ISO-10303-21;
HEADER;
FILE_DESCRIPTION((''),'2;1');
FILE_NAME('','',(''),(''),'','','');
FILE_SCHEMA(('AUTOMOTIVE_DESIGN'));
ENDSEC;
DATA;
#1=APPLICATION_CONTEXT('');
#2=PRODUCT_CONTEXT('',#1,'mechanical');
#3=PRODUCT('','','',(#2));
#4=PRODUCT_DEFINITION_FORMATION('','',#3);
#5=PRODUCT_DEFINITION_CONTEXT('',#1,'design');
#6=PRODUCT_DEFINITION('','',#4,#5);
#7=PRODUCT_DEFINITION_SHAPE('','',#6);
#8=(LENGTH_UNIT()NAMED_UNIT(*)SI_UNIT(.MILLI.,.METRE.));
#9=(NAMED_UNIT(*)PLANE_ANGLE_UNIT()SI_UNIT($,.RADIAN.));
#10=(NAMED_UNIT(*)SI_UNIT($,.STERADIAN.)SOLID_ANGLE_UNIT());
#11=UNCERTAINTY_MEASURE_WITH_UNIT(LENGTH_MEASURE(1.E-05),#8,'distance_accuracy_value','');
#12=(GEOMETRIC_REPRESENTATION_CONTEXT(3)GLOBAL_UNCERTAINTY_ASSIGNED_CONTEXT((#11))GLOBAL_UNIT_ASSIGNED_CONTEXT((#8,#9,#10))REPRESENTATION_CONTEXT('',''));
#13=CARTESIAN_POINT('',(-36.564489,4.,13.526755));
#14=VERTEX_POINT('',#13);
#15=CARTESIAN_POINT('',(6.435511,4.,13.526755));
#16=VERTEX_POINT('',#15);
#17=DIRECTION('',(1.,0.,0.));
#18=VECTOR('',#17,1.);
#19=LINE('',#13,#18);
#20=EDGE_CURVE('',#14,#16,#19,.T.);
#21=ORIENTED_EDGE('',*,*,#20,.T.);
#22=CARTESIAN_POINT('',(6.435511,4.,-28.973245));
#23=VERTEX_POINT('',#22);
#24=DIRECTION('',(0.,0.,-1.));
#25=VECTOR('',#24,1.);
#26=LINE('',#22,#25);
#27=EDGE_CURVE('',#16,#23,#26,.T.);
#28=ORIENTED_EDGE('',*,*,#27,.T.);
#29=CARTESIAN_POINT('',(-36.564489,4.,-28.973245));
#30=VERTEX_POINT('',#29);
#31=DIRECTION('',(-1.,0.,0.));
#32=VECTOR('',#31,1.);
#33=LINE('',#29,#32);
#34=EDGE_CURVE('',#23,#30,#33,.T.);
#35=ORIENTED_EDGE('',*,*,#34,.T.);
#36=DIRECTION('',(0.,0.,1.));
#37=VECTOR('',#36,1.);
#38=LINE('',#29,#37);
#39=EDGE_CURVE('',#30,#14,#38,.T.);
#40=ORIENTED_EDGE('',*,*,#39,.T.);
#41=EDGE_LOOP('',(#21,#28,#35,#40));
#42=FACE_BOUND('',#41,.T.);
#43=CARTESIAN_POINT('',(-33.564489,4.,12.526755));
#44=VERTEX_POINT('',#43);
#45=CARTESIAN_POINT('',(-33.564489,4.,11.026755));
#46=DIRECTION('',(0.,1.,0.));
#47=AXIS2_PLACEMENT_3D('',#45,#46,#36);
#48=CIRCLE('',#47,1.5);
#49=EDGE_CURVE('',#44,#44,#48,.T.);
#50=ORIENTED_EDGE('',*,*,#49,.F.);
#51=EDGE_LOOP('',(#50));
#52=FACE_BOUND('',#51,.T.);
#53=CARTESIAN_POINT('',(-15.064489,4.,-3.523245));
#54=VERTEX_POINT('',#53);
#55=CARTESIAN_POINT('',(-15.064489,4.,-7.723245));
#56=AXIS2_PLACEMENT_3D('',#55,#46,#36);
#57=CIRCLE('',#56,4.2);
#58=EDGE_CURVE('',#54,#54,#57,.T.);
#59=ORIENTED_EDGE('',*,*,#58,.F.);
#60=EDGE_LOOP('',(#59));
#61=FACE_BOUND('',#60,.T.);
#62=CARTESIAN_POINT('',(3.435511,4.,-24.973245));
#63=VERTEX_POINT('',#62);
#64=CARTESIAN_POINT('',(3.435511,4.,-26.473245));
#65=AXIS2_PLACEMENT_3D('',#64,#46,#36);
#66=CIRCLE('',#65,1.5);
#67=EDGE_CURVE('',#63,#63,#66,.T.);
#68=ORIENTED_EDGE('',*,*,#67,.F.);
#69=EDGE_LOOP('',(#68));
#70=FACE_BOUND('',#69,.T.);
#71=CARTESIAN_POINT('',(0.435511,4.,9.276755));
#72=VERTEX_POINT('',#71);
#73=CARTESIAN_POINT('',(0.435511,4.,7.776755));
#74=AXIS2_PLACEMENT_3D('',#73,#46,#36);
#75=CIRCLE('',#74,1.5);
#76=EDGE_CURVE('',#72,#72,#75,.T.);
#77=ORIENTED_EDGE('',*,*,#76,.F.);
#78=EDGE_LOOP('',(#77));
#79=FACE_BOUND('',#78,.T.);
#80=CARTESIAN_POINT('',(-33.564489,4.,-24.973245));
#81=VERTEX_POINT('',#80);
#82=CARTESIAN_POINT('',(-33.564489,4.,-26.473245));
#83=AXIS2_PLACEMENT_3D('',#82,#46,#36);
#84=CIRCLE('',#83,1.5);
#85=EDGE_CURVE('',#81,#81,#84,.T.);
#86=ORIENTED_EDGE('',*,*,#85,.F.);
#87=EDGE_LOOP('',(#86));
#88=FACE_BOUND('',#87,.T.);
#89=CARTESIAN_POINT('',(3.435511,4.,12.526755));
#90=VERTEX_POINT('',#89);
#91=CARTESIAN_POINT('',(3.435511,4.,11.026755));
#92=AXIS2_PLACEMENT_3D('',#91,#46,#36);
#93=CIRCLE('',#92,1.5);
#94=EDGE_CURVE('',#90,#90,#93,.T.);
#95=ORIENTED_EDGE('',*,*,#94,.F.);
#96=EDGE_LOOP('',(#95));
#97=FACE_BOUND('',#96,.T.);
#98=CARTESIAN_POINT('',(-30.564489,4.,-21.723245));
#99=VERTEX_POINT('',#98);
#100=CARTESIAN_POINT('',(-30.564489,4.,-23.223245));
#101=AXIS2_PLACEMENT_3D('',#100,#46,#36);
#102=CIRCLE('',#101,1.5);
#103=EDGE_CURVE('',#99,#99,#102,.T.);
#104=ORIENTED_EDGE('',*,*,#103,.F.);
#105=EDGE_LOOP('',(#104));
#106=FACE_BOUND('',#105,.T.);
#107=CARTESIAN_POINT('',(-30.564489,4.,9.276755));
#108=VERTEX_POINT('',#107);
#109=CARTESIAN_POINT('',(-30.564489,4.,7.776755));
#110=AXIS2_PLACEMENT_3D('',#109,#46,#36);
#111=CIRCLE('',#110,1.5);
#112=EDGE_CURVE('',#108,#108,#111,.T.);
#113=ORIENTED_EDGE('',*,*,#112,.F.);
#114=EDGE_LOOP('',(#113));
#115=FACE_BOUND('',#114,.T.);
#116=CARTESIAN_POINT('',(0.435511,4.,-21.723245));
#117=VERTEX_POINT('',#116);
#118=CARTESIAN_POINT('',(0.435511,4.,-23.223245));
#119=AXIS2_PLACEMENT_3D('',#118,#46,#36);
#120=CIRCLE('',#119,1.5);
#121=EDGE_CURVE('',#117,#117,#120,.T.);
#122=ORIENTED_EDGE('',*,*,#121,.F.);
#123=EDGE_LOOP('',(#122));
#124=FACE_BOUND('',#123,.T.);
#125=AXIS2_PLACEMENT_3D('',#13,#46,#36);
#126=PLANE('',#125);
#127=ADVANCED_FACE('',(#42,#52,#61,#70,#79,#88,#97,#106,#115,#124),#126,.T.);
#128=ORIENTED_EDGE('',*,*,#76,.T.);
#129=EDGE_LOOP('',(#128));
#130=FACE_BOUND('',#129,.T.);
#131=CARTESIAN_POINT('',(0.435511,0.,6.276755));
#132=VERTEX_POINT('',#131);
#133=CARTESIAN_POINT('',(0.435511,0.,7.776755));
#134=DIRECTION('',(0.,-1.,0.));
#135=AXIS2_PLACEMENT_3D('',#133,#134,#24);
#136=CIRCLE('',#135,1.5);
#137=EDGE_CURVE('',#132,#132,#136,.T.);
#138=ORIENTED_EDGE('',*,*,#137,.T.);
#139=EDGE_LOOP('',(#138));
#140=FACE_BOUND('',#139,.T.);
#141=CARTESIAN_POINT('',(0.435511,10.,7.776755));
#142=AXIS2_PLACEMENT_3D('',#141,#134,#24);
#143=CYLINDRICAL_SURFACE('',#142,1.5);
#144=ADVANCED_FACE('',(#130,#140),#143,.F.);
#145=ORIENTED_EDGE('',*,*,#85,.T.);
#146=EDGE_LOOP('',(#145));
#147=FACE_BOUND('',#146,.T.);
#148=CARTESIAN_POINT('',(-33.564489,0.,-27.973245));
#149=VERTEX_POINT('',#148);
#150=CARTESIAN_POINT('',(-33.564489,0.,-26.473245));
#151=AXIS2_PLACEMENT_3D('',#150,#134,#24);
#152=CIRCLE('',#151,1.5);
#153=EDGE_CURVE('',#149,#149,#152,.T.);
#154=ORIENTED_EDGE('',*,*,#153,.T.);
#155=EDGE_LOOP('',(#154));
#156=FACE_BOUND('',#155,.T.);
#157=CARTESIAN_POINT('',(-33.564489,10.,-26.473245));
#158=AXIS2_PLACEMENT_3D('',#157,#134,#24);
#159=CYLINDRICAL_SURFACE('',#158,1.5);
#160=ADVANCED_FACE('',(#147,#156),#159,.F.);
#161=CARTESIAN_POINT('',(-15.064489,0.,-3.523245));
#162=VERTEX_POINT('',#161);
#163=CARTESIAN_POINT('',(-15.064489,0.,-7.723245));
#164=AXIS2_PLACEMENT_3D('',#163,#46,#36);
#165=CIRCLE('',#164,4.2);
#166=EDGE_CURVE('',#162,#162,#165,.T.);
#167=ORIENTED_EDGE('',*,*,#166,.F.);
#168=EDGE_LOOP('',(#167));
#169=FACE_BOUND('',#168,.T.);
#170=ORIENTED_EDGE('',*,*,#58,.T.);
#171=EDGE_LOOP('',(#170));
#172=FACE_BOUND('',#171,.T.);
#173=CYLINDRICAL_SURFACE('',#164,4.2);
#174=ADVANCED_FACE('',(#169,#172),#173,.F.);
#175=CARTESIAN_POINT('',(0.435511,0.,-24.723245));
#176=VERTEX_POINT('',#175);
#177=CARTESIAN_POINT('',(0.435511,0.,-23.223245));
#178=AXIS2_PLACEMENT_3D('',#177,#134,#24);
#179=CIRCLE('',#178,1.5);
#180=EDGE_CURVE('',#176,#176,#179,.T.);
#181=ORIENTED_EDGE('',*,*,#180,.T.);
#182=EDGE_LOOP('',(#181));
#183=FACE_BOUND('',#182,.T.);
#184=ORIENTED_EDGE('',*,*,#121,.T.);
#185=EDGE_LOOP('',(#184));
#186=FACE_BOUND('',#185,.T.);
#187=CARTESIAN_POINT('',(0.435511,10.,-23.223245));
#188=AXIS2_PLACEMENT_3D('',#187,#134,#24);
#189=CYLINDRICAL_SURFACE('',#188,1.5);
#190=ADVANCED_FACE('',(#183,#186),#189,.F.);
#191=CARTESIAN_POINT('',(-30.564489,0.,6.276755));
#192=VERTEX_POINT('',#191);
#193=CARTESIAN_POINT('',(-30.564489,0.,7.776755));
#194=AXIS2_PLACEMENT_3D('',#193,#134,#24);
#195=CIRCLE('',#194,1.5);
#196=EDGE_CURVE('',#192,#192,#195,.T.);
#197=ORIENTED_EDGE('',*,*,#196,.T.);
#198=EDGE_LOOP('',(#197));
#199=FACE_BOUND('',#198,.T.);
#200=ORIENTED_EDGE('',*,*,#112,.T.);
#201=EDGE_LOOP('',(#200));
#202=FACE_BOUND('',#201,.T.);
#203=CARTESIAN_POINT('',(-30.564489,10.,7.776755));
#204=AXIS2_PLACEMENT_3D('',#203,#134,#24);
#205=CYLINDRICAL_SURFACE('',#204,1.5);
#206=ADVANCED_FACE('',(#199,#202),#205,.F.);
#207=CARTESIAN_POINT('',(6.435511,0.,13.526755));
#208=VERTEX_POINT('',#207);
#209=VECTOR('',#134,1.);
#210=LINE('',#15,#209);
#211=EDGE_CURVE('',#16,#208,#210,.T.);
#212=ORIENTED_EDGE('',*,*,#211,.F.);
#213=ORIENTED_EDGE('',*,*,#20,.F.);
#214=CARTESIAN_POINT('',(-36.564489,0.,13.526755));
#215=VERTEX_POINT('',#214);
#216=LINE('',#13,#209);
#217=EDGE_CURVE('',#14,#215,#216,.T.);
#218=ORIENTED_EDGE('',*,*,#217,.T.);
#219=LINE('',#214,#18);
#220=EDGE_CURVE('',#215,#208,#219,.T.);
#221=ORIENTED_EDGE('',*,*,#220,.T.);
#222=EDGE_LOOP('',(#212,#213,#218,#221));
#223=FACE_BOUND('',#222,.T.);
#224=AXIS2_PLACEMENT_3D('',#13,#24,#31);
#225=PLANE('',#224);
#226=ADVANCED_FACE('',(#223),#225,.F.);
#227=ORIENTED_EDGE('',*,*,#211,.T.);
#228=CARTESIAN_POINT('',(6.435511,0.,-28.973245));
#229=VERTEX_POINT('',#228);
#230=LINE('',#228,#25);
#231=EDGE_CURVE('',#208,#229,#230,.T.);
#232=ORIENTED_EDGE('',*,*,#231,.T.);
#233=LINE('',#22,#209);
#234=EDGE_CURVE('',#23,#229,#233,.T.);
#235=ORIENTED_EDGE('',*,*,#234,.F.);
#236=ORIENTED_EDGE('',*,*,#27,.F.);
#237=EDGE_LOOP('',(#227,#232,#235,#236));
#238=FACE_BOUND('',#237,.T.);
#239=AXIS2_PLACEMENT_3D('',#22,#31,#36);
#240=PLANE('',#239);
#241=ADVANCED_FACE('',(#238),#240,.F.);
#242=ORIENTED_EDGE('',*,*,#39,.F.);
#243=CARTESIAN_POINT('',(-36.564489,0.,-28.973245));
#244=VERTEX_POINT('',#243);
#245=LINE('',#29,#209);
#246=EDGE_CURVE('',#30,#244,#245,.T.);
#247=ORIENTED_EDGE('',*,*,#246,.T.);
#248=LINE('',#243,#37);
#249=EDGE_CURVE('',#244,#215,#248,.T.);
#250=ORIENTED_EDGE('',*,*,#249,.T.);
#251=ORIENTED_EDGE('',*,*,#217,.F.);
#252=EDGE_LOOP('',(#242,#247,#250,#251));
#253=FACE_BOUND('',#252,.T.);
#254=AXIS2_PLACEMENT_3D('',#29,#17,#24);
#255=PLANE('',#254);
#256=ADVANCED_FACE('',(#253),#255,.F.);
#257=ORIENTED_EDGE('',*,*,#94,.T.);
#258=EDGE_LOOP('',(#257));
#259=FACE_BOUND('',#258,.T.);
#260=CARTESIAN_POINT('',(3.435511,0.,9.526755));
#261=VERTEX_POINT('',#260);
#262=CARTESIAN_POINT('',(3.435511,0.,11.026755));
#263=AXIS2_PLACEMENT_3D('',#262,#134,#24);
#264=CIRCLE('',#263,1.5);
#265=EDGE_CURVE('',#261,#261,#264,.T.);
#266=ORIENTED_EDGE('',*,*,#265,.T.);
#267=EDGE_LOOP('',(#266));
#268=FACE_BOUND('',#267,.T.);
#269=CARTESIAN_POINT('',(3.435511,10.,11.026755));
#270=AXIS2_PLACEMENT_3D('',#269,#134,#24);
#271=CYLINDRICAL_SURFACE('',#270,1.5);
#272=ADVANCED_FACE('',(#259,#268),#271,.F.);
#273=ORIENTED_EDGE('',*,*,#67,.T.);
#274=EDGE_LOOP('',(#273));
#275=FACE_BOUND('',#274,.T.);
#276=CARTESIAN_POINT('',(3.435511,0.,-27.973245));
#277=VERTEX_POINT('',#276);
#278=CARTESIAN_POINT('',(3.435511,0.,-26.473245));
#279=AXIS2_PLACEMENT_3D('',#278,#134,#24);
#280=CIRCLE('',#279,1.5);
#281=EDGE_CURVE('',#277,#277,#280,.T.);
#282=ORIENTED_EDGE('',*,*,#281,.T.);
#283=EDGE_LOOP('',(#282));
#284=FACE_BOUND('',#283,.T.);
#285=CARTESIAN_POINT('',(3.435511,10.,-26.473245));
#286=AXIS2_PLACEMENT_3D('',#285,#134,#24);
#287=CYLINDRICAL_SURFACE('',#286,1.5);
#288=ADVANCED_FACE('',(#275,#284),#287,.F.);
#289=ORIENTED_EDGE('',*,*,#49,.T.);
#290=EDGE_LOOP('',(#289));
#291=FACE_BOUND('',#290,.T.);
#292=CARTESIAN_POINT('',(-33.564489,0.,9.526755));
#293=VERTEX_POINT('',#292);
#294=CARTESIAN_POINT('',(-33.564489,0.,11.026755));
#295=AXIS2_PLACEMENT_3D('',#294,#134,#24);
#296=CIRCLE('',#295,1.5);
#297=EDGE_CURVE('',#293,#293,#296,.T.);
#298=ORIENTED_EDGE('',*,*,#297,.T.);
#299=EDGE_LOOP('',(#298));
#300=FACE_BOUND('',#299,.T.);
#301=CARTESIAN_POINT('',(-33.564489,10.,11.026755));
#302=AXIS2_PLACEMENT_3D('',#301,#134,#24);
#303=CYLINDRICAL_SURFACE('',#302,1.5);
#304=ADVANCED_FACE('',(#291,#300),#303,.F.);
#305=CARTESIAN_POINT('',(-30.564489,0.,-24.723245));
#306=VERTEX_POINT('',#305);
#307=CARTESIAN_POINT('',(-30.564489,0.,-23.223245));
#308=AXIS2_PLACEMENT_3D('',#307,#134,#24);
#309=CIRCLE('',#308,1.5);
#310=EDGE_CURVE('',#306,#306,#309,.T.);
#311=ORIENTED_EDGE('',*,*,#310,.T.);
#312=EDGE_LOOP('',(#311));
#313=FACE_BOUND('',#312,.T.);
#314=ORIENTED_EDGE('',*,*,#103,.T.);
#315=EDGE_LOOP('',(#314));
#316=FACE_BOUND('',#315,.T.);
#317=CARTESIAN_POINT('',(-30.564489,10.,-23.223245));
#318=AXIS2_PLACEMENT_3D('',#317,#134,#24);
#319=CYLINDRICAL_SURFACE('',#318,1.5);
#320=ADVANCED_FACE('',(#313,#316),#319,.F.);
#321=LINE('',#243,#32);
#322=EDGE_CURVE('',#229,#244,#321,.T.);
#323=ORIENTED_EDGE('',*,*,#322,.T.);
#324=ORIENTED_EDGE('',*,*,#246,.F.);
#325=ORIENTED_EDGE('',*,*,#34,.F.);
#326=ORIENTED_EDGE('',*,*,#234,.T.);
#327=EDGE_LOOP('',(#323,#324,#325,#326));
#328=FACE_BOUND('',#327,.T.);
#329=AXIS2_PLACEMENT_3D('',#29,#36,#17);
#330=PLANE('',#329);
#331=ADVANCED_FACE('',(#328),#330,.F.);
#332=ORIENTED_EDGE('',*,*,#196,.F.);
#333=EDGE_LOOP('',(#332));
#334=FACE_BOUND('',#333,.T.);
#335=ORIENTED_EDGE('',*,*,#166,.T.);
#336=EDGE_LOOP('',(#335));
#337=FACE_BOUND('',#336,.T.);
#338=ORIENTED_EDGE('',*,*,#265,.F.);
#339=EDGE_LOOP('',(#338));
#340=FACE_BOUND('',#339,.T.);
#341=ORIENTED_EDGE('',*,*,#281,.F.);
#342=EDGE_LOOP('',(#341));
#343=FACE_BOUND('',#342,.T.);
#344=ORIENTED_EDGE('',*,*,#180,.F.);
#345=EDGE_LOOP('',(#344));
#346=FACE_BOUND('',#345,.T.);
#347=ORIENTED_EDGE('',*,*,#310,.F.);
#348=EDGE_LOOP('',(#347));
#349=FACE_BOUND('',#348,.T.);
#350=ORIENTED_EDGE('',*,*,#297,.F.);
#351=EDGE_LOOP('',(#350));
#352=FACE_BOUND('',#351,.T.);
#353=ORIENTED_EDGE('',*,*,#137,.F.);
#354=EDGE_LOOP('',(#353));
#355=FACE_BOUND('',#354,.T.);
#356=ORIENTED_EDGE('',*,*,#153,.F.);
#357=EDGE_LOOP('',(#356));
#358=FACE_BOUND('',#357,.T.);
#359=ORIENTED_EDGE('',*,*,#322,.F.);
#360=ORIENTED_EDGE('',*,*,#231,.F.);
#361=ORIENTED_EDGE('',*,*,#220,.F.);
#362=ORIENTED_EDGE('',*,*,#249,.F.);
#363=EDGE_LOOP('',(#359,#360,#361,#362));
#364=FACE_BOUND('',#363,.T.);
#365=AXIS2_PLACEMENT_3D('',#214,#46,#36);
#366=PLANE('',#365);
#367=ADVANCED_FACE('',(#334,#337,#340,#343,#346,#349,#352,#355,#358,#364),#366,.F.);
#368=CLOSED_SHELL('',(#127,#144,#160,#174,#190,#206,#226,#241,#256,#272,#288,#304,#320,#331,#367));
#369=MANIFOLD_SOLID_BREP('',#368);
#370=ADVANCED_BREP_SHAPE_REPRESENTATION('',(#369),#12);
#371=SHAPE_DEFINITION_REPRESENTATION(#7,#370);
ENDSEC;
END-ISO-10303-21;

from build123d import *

# Parameters (mm, degrees)
SKETCH_1_W          = 43
SKETCH_1_H          = 42.5
EXTRUDE_1_DEPTH     = 4
SKETCH_2_R          = 1.5
CUT_EXTRUDE_1_DEPTH = 10
SKETCH_3_R          = 1.5
CUT_EXTRUDE_2_DEPTH = 10
SKETCH_4_R          = 4.2
CUT_EXTRUDE_3_DEPTH = 4


with BuildPart() as part:
    # Эскиз1 → Бобышка-Вытянуть1 (new body)
    with BuildSketch(Plane(origin=(0, 0, 0), x_dir=(1, 0, 0), z_dir=(0, 1, 0))):
        with Locations((-15.064488683, 7.723245358)):
            Rectangle(SKETCH_1_W, SKETCH_1_H)
    extrude(amount=EXTRUDE_1_DEPTH)

    # Эскиз2 → Вырез-Вытянуть1 (cut)
    with BuildSketch(Plane.XZ):
        with Locations(Location((-33.564488683, 11.026754642, 0), (0, 0, 270))):
            Circle(SKETCH_2_R)
        with Locations(Location((3.435511317, 11.026754642, 0), (0, 0, 270))):
            Circle(SKETCH_2_R)
        with Locations(Location((-33.564488683, -26.473245358, 0), (0, 0, 270))):
            Circle(SKETCH_2_R)
        with Locations(Location((3.435511317, -26.473245358, 0), (0, 0, 270))):
            Circle(SKETCH_2_R)
    extrude(amount=-CUT_EXTRUDE_1_DEPTH, mode=Mode.SUBTRACT)

    # Эскиз3 → Вырез-Вытянуть2 (cut)
    with BuildSketch(Plane.XZ):
        with Locations(Location((-30.564488683, 7.776754642, 0), (0, 0, 270))):
            Circle(SKETCH_3_R)
        with Locations(Location((-30.564488683, -23.223245358, 0), (0, 0, 270))):
            Circle(SKETCH_3_R)
        with Locations(Location((0.435511317, 7.776754642, 0), (0, 0, 270))):
            Circle(SKETCH_3_R)
        with Locations(Location((0.435511317, -23.223245358, 0), (0, 0, 270))):
            Circle(SKETCH_3_R)
    extrude(amount=-CUT_EXTRUDE_2_DEPTH, mode=Mode.SUBTRACT)

    # Эскиз4 → Вырез-Вытянуть3 (cut)
    with BuildSketch(Plane(origin=(0, 4, 0), x_dir=(1, 0, 0), z_dir=(0, 1, 0))):
        with Locations(Location((-15.064488683, 7.723245358, 0), (0, 0, 270))):
            Circle(SKETCH_4_R)
    extrude(amount=-CUT_EXTRUDE_3_DEPTH, mode=Mode.SUBTRACT)


solid = part.part
